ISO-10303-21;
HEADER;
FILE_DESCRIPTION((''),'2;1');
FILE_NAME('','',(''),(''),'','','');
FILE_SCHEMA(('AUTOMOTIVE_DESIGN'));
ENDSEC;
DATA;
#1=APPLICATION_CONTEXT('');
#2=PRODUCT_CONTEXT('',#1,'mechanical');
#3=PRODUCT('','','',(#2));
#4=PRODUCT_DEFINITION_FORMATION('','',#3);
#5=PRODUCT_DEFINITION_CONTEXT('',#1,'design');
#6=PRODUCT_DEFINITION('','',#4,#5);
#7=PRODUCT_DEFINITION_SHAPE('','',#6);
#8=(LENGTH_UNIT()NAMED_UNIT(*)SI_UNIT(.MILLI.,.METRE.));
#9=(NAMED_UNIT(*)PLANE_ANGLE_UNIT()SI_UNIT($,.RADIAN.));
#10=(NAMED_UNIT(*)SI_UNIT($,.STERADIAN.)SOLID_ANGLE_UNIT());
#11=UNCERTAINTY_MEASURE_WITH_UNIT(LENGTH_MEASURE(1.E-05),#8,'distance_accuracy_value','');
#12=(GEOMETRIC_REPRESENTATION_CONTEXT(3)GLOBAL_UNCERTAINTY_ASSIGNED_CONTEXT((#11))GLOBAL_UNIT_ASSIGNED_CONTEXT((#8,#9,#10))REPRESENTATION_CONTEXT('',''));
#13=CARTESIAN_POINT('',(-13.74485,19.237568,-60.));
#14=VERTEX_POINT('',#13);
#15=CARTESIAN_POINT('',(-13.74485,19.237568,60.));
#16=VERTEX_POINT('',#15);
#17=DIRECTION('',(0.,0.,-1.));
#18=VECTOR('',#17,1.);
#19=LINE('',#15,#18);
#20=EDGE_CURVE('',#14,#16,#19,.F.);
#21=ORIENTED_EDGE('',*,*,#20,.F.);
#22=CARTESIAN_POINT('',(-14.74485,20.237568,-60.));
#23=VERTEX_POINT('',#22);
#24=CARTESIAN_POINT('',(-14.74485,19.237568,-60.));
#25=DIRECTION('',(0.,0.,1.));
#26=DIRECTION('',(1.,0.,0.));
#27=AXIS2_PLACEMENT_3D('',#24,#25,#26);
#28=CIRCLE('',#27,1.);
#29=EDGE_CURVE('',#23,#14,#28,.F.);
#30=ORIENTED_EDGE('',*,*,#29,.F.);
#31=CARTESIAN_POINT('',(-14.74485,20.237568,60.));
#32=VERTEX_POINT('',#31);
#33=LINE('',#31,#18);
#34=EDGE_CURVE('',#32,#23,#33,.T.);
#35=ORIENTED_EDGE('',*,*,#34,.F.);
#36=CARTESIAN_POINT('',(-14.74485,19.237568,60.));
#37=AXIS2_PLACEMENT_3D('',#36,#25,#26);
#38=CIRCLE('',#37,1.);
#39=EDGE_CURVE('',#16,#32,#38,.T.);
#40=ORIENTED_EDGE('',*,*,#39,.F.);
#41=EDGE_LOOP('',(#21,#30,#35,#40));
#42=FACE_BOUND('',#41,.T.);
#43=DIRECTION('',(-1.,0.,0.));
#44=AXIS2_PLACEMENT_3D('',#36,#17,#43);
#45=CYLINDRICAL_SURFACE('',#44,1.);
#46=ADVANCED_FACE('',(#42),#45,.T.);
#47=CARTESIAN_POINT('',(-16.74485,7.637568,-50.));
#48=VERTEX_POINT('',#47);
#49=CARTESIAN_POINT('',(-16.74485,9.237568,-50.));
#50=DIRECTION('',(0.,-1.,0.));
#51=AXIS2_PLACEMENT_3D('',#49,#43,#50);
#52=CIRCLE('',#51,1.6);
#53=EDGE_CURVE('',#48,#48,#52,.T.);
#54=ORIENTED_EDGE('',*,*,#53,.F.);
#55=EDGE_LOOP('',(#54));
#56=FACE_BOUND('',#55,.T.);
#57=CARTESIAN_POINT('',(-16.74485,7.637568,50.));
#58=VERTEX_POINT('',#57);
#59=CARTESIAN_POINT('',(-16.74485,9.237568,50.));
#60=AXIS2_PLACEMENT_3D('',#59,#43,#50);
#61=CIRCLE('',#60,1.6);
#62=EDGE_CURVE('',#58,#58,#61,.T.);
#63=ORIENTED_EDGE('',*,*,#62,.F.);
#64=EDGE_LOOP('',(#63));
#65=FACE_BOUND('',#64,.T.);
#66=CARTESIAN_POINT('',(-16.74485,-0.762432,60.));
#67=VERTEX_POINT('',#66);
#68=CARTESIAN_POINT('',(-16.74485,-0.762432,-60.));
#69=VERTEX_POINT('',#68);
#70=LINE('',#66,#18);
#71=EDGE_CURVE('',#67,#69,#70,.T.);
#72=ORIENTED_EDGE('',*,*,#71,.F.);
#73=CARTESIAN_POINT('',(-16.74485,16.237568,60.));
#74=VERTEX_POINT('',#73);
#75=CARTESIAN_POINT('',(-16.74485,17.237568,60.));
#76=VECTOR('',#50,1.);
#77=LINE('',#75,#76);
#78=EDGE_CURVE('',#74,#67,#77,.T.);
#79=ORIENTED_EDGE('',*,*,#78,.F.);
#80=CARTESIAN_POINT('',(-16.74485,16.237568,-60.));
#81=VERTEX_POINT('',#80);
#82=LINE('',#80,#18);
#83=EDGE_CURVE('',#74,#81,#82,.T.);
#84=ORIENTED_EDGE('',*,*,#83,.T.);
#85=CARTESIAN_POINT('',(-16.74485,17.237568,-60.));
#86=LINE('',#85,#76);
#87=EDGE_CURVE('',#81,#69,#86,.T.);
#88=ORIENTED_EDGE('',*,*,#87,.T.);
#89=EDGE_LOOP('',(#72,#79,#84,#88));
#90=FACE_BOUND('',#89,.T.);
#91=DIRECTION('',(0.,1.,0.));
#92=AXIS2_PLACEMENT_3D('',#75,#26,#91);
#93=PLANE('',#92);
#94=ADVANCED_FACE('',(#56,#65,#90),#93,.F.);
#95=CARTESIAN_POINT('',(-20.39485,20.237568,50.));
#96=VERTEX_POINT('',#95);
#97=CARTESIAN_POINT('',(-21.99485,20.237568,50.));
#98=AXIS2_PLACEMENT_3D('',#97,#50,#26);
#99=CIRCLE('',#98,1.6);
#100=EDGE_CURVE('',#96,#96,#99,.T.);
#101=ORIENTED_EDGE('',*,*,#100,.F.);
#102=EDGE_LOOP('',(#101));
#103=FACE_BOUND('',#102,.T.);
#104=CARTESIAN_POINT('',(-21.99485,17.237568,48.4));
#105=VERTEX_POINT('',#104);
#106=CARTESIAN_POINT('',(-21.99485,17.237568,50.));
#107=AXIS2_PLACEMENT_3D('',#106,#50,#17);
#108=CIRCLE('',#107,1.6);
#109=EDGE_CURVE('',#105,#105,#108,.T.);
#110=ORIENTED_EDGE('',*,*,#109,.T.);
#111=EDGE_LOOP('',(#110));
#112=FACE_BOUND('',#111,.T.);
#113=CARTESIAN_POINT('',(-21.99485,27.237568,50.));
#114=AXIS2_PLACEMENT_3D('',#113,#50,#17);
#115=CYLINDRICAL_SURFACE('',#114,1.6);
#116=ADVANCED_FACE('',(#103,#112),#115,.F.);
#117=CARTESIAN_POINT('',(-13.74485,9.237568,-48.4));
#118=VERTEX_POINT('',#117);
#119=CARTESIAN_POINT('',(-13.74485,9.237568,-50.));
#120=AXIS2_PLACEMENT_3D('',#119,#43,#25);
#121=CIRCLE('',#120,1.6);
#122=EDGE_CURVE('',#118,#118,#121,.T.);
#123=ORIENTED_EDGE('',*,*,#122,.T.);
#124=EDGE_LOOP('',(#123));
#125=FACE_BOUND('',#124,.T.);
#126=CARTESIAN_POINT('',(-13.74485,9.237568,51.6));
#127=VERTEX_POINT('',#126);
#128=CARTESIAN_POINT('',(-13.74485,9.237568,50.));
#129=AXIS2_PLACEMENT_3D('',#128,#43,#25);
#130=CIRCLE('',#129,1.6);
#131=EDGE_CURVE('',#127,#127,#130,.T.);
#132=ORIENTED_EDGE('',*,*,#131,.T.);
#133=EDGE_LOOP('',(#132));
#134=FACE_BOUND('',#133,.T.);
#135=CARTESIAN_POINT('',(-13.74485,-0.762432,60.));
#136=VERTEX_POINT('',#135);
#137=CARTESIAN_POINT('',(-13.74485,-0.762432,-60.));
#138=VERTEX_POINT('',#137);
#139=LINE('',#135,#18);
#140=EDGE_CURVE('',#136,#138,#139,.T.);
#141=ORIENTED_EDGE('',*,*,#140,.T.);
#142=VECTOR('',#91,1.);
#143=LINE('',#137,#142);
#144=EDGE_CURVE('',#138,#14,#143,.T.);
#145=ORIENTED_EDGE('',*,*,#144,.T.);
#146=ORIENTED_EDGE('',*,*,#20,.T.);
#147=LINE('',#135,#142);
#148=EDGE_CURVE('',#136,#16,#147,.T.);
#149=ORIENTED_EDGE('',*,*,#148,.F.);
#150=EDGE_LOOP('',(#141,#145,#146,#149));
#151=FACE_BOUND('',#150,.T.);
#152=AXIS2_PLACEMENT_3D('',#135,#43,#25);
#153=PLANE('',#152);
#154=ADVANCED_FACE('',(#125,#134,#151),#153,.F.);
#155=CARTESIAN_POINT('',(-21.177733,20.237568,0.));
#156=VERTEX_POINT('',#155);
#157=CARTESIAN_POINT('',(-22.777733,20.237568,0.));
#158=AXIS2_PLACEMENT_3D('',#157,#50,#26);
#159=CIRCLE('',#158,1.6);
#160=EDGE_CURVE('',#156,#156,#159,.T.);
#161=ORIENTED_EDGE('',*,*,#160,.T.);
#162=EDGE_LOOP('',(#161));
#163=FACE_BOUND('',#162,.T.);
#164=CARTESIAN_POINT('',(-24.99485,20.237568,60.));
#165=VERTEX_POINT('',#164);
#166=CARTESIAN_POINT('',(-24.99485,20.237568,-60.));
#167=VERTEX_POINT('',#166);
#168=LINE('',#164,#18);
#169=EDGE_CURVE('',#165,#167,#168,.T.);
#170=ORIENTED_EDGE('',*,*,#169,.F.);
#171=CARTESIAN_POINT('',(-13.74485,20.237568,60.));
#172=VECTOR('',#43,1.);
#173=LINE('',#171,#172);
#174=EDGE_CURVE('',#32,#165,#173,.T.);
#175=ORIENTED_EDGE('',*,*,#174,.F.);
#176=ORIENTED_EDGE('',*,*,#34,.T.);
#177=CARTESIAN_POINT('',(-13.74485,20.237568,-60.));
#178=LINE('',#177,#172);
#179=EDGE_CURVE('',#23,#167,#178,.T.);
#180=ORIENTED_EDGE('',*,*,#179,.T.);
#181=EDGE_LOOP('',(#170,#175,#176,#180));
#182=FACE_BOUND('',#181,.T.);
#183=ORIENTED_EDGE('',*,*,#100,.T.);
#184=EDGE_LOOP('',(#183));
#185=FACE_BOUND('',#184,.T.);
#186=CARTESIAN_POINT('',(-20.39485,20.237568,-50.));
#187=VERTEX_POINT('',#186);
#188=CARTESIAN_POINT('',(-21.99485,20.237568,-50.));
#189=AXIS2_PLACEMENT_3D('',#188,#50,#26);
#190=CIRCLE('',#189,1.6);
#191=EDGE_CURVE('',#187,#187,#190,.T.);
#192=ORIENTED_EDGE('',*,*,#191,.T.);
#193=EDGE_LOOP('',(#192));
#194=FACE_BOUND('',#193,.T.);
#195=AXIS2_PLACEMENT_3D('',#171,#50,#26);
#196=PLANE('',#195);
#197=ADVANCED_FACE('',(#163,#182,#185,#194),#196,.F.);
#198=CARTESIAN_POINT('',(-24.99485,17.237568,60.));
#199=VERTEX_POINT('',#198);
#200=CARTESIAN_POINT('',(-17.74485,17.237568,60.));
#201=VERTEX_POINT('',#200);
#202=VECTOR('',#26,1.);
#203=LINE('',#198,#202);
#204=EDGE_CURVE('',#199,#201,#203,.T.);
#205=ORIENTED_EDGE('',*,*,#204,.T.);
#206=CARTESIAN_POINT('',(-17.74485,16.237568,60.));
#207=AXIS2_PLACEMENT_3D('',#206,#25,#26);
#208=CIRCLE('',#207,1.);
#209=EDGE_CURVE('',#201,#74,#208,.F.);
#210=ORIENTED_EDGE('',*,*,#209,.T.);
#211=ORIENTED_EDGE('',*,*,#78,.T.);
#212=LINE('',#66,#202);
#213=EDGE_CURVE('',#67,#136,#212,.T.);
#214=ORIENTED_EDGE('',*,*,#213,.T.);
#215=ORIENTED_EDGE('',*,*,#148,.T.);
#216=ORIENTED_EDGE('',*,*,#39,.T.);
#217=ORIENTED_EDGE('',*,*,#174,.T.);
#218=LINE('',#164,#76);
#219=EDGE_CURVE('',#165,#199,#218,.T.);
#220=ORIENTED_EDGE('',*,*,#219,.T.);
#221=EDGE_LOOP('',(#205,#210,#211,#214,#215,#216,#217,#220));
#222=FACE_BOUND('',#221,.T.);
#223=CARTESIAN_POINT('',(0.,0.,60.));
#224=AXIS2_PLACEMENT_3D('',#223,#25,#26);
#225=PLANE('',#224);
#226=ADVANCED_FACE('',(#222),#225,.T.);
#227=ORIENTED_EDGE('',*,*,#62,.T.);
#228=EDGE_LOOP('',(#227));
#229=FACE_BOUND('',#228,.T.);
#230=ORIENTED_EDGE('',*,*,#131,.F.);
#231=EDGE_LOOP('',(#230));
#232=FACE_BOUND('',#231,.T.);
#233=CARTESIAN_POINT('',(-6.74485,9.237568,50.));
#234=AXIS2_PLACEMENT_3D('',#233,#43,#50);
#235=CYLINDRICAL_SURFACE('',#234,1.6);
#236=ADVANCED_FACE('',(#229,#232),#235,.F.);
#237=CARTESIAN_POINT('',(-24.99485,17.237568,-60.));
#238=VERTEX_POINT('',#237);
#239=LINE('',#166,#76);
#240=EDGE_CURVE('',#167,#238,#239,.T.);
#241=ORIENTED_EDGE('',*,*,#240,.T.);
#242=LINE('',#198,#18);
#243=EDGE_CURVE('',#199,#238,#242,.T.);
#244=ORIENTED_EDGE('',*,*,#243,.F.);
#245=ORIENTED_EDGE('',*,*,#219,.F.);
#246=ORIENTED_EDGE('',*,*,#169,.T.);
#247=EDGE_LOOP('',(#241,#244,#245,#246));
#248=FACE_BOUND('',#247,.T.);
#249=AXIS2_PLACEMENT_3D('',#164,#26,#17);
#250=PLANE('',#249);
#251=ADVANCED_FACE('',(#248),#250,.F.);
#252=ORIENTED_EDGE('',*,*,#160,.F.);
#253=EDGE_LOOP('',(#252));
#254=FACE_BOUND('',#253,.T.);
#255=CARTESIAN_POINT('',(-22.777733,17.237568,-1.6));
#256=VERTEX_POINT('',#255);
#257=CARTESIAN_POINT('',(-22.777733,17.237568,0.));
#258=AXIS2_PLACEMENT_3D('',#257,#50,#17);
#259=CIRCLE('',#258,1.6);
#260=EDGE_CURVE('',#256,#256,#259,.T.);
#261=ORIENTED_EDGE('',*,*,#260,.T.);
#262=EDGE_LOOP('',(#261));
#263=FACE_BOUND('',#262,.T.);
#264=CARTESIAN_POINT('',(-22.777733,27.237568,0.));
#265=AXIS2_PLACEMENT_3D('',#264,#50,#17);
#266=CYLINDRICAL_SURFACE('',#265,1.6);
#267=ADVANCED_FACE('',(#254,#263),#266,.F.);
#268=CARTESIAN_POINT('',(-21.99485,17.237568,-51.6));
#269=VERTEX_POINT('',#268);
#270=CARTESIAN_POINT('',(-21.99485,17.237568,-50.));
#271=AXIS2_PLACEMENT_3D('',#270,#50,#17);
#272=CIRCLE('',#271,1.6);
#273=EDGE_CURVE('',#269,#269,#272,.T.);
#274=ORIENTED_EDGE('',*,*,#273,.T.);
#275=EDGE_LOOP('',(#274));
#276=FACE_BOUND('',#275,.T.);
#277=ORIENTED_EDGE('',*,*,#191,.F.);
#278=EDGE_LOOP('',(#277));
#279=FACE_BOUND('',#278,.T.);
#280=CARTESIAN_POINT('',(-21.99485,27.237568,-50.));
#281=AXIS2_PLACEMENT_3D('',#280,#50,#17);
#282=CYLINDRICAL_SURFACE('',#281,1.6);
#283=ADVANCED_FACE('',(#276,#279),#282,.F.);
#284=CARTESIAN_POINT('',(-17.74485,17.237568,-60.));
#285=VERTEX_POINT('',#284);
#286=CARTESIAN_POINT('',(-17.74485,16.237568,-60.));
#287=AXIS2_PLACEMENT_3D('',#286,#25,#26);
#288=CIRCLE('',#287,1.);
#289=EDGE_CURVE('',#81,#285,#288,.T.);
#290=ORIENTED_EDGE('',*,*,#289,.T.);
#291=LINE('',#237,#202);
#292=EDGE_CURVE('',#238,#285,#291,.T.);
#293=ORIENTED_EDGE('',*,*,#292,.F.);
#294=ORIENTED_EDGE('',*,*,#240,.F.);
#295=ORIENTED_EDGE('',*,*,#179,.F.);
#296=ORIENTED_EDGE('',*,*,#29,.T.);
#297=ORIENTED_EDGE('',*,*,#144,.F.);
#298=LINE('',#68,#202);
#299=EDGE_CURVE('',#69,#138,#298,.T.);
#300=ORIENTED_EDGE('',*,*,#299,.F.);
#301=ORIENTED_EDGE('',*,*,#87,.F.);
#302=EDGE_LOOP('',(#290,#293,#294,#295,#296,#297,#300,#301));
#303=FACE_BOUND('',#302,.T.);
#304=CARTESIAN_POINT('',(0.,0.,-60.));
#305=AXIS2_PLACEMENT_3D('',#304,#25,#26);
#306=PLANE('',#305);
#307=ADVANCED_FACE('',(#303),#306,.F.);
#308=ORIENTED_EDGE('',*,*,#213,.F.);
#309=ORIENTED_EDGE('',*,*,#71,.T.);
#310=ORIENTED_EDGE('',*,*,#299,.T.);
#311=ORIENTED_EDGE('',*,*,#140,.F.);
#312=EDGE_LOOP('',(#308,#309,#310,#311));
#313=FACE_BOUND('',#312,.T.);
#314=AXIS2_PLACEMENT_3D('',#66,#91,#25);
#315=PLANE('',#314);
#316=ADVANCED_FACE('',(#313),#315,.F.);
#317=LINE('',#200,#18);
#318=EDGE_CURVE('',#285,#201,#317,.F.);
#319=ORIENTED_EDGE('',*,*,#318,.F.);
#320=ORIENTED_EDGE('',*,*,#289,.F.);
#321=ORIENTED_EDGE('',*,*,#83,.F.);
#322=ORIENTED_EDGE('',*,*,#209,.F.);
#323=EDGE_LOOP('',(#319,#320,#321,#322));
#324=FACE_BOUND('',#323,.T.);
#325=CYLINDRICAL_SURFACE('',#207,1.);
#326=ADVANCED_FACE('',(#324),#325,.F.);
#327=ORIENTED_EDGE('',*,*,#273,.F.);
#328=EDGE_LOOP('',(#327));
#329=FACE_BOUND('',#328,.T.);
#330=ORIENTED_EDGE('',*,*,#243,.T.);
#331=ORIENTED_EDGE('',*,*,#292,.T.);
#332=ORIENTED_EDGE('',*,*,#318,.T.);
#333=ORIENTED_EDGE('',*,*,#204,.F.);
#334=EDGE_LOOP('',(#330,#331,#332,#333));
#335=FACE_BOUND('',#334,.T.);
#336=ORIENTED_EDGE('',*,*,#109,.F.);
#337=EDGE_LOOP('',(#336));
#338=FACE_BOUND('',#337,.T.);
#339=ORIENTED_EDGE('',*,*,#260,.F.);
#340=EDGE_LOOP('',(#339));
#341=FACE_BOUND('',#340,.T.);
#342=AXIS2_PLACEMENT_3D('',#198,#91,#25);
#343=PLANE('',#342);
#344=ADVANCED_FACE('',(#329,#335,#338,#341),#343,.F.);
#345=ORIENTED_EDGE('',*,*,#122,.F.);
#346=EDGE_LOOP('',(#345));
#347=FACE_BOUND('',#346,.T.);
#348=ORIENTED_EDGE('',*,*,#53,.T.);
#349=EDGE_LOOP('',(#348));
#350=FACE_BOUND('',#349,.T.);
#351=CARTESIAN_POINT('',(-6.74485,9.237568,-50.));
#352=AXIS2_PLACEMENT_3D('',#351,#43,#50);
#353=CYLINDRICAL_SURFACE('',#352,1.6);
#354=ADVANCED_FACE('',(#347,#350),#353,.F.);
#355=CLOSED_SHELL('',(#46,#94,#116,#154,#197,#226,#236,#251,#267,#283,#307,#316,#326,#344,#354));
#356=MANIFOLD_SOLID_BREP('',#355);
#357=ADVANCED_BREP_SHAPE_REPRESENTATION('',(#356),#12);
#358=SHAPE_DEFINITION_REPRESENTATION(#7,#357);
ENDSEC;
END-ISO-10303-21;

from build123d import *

# Parameters (mm, degrees)
EXTRUDE_1_DEPTH     = 60
FILLET_2_R          = 1
FILLET_3_R          = 1
SKETCH_6_R          = 1.6
CUT_EXTRUDE_3_DEPTH = 10
SKETCH_7_R          = 1.6
SKETCH_7_R_2        = 3.879374182
CUT_EXTRUDE_4_DEPTH = 10


with BuildPart() as part:
    # 草图1 → 凸台-拉伸1 (new, symmetric)
    with BuildSketch(Plane.XY):
        Polygon((-13.744850262, -0.762431654), (-13.744850262, 20.237568346), (-24.994850262, 20.237568346), (-24.994850262, 17.237568346), (-16.744850262, 17.237568346), (-16.744850262, -0.762431654), align=None)
    extrude(amount=EXTRUDE_1_DEPTH, both=True)

    # 圆角2
    fillet_2_edges = [part.edges().sort_by_distance(p)[0] for p in [
        (-13.744850262, 20.237568346, 0),
    ]]
    fillet(fillet_2_edges, radius=FILLET_2_R)

    # 圆角3
    fillet_3_edges = [part.edges().sort_by_distance(p)[0] for p in [
        (-16.744850262, 17.237568346, 0),
    ]]
    fillet(fillet_3_edges, radius=FILLET_3_R)

    # 草图6 → 切除-拉伸3 (cut)
    with BuildSketch(Plane.ZY.offset(16.744850262)):
        with Locations(Location((50, 9.237568346, 0), (0, 0, 270))):
            Circle(SKETCH_6_R)
        with Locations(Location((-50, 9.237568346, 0), (0, 0, 270))):
            Circle(SKETCH_6_R)
    extrude(amount=-CUT_EXTRUDE_3_DEPTH, mode=Mode.SUBTRACT)

    # 草图7 → 切除-拉伸4 (cut)
    with BuildSketch(Plane.XZ.offset(-17.237568346)):
        with Locations(Location((-21.994850262, -50, 0), (0, 0, 270))):
            Circle(SKETCH_7_R)
        with Locations(Location((-21.994850262, 50, 0), (0, 0, 270))):
            Circle(SKETCH_7_R)
        with Locations(Location((-22.777733305, 0, 0), (0, 0, 270))):
            Circle(SKETCH_7_R)
        with Locations((-6.137965093, 23.424487804)):
            Circle(SKETCH_7_R_2)
    extrude(amount=-CUT_EXTRUDE_4_DEPTH, mode=Mode.SUBTRACT)


solid = part.part
